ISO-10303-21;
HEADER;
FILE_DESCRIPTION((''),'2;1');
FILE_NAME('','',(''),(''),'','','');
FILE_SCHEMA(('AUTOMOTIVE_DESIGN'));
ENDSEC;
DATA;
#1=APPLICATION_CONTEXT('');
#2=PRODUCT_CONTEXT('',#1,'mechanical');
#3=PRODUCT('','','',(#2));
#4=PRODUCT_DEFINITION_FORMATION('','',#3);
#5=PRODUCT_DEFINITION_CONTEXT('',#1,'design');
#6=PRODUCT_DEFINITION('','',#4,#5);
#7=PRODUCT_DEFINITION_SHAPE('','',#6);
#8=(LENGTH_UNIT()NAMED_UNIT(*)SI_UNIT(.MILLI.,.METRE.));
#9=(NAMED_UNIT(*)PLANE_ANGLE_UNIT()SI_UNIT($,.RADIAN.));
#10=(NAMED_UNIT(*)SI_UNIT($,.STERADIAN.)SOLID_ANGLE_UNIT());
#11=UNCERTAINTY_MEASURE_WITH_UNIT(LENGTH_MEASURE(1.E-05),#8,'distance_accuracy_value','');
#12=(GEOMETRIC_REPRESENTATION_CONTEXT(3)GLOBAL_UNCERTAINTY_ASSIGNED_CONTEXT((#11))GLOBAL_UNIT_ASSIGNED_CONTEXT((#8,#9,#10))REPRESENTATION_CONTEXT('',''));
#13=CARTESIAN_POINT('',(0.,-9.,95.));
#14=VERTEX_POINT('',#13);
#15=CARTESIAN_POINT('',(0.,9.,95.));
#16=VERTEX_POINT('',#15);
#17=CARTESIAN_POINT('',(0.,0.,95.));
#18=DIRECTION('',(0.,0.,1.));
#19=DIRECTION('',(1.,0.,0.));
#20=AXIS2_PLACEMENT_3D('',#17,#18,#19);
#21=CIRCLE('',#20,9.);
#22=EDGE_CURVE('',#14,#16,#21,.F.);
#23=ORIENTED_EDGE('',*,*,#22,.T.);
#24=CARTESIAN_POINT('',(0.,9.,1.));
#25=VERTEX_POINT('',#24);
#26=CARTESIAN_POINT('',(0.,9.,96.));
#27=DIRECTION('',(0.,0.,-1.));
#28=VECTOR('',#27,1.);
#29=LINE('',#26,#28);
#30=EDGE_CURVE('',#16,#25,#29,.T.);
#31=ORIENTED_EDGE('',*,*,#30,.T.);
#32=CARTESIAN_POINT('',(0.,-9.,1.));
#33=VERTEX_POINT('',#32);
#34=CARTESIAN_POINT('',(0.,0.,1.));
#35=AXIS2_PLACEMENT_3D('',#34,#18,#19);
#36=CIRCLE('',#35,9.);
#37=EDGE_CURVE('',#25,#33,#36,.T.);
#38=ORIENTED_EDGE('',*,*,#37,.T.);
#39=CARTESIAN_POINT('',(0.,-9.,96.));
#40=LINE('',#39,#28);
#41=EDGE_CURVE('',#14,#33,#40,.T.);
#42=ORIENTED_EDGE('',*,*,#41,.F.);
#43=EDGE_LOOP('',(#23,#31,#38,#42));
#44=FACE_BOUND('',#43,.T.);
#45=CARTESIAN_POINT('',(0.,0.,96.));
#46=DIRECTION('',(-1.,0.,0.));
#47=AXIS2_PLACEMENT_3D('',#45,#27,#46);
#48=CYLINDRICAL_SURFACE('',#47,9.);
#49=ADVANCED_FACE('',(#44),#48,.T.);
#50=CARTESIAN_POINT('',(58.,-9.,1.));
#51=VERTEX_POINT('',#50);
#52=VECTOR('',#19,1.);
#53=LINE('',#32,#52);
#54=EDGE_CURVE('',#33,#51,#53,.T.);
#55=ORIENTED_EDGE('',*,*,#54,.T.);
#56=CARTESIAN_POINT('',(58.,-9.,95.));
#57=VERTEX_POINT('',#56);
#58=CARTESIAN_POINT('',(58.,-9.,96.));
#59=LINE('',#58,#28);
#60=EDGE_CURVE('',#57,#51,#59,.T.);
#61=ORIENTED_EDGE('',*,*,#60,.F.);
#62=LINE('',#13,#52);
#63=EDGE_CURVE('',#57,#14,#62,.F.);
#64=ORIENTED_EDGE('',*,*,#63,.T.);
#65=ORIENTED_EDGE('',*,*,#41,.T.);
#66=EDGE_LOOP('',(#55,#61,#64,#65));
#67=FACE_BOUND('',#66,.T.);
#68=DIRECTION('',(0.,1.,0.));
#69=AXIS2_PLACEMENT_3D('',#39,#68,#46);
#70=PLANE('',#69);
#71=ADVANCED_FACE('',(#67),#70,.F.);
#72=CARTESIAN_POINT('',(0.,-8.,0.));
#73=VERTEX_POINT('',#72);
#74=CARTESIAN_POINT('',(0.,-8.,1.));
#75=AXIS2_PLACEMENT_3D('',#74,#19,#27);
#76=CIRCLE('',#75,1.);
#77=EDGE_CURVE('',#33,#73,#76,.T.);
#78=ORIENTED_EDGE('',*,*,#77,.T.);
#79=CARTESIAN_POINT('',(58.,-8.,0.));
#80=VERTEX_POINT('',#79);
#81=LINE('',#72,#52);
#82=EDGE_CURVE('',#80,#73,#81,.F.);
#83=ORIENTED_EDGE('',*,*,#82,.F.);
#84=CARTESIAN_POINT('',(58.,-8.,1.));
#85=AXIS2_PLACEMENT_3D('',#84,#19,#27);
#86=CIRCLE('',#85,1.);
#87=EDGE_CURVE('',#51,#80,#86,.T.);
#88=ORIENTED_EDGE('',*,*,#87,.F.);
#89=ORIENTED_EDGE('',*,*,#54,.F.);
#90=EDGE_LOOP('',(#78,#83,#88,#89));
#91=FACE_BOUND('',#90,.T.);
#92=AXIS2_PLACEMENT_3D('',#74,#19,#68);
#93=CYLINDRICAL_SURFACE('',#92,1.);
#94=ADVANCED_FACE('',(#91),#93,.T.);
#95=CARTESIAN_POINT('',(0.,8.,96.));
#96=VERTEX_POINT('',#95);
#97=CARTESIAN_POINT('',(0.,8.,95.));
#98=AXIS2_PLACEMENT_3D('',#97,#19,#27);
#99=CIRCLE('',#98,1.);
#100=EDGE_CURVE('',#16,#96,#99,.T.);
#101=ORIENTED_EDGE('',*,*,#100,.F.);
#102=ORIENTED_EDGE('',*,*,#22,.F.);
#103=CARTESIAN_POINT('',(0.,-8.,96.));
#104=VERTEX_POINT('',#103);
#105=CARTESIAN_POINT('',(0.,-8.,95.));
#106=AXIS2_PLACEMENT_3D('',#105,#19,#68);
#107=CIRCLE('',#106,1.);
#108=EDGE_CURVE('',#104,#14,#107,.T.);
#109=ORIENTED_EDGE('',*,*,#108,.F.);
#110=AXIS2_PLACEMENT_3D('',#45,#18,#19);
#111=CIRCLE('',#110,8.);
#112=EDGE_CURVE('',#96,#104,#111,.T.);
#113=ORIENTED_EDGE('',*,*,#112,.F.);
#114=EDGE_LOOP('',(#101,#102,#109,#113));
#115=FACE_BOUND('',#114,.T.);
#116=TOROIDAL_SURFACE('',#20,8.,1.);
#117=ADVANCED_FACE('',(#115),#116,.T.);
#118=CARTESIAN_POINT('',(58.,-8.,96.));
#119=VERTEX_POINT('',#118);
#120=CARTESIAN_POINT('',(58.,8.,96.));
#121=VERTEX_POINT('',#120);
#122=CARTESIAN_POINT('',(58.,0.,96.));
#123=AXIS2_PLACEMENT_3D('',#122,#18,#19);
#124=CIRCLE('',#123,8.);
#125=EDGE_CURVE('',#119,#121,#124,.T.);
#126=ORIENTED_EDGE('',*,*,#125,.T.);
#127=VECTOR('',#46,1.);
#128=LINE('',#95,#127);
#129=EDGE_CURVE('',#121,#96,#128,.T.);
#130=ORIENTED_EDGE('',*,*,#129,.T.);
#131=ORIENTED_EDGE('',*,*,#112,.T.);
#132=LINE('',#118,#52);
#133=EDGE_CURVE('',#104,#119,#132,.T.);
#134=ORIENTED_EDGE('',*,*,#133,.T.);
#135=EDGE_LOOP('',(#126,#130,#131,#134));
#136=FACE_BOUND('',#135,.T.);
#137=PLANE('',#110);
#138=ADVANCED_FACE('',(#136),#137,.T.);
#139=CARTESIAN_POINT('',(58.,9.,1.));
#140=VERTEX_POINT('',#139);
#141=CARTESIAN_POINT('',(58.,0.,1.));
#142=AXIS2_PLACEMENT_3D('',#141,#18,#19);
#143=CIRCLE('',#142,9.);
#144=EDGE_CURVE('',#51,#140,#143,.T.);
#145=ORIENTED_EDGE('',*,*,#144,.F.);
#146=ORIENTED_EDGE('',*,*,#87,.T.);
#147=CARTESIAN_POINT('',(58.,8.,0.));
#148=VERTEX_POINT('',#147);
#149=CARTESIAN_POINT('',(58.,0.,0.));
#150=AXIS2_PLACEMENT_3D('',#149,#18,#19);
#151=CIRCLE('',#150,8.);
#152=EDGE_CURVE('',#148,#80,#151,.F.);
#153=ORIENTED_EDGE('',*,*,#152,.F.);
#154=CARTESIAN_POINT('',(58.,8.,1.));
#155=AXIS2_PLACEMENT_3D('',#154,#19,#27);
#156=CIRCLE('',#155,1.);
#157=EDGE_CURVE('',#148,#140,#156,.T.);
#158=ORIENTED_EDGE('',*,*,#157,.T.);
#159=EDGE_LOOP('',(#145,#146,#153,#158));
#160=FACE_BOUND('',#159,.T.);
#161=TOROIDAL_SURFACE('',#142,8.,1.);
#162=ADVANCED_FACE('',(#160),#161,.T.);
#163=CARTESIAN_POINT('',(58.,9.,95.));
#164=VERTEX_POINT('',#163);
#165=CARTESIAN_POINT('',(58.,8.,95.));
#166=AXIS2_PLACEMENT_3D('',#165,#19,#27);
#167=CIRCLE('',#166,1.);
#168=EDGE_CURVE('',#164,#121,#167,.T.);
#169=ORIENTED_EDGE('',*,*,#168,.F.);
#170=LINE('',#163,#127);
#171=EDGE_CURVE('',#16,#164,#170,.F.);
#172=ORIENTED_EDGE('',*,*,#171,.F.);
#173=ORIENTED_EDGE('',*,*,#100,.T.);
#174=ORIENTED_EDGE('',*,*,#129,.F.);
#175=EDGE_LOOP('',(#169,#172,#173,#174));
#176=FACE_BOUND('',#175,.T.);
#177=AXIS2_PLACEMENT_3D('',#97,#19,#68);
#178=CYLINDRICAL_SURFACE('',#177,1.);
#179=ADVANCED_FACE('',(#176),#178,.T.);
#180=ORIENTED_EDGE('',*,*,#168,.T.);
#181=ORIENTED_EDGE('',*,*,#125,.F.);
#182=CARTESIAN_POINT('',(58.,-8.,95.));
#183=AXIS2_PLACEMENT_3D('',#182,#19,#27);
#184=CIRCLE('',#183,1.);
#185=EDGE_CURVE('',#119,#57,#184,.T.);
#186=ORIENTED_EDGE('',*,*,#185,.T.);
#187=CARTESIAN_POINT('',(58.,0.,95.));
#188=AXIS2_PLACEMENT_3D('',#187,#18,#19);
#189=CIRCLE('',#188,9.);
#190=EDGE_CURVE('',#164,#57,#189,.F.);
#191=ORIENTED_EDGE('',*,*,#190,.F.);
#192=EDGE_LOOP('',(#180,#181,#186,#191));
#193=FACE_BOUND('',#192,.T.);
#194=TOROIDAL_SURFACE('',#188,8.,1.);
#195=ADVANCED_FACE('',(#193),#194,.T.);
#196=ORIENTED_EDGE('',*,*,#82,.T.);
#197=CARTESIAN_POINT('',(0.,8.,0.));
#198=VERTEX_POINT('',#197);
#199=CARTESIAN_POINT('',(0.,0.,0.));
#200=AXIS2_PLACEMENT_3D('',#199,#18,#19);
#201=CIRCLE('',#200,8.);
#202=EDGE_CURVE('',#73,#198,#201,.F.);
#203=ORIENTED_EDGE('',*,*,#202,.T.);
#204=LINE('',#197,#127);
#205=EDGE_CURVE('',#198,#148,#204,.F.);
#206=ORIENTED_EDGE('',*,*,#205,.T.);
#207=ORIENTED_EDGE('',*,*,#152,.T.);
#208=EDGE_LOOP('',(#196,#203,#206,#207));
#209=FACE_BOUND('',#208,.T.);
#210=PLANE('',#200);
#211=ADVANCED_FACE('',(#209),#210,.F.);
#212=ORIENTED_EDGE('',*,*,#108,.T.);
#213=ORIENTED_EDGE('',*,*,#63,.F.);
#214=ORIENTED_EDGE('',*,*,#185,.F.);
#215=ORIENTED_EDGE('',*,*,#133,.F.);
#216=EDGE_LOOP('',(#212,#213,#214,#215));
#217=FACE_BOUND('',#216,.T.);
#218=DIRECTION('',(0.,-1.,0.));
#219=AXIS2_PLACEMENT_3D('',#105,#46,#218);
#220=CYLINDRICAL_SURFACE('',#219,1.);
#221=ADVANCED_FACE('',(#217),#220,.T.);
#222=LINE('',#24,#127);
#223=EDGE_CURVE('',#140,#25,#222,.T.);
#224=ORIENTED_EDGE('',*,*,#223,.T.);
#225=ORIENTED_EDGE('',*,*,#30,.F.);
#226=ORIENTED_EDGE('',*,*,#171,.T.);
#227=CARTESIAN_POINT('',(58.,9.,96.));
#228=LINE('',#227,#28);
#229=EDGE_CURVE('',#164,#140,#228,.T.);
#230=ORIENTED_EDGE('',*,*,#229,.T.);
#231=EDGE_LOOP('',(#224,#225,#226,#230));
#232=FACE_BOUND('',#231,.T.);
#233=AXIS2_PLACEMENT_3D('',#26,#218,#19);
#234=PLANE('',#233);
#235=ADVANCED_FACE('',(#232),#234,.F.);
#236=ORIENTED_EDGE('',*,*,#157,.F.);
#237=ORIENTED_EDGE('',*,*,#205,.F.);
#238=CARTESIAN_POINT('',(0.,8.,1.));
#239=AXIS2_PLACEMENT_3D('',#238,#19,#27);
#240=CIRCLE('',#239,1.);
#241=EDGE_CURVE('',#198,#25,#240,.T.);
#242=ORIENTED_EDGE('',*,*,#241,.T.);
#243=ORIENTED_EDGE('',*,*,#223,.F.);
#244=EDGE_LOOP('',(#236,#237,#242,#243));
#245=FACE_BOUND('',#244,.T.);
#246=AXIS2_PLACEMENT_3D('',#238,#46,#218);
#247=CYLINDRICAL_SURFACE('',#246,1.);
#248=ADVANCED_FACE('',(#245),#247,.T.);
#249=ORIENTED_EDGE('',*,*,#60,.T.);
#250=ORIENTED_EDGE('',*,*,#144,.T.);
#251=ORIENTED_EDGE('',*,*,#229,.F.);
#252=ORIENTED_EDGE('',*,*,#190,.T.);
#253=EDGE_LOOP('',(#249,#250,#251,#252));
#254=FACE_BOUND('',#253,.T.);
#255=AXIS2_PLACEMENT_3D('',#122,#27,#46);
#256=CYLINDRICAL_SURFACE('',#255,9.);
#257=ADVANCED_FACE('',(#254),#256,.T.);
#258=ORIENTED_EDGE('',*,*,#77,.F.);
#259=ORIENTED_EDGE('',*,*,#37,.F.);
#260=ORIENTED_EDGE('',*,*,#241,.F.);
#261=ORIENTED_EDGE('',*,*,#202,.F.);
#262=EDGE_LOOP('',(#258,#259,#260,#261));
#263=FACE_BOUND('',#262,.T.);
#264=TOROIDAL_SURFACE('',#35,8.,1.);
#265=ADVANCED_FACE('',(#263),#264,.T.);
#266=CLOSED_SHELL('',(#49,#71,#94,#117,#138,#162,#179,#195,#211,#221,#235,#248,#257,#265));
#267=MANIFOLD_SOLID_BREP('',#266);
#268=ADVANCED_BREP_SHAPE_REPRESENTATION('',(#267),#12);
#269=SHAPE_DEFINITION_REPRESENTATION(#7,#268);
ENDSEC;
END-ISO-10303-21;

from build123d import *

# Parameters (mm, degrees)
BOSS_EXTRU_1_DEPTH = 96
CONG_1_R           = 1


with BuildPart() as part:
    # Esquisse1 → Boss.-Extru.1 (new body)
    with BuildSketch(Plane.XY):
        with BuildLine():
            Line((0, 9), (58, 9))
            ThreePointArc((58, 9), (67, 0), (58, -9))
            Line((58, -9), (0, -9))
            ThreePointArc((0, -9), (-9, 0), (0, 9))
        make_face()
    extrude(amount=BOSS_EXTRU_1_DEPTH)

    # Congé1
    cong_1_edges = [part.edges().sort_by_distance(p)[0] for p in [
        (67, 0, 96),
        (29, 9, 96),
        (-9, 0, 96),
        (29, 9, 0),
        (67, 0, 0),
        (29, -9, 0),
        (-9, 0, 0),
        (29, -9, 96),
    ]]
    fillet(cong_1_edges, radius=CONG_1_R)


solid = part.part
